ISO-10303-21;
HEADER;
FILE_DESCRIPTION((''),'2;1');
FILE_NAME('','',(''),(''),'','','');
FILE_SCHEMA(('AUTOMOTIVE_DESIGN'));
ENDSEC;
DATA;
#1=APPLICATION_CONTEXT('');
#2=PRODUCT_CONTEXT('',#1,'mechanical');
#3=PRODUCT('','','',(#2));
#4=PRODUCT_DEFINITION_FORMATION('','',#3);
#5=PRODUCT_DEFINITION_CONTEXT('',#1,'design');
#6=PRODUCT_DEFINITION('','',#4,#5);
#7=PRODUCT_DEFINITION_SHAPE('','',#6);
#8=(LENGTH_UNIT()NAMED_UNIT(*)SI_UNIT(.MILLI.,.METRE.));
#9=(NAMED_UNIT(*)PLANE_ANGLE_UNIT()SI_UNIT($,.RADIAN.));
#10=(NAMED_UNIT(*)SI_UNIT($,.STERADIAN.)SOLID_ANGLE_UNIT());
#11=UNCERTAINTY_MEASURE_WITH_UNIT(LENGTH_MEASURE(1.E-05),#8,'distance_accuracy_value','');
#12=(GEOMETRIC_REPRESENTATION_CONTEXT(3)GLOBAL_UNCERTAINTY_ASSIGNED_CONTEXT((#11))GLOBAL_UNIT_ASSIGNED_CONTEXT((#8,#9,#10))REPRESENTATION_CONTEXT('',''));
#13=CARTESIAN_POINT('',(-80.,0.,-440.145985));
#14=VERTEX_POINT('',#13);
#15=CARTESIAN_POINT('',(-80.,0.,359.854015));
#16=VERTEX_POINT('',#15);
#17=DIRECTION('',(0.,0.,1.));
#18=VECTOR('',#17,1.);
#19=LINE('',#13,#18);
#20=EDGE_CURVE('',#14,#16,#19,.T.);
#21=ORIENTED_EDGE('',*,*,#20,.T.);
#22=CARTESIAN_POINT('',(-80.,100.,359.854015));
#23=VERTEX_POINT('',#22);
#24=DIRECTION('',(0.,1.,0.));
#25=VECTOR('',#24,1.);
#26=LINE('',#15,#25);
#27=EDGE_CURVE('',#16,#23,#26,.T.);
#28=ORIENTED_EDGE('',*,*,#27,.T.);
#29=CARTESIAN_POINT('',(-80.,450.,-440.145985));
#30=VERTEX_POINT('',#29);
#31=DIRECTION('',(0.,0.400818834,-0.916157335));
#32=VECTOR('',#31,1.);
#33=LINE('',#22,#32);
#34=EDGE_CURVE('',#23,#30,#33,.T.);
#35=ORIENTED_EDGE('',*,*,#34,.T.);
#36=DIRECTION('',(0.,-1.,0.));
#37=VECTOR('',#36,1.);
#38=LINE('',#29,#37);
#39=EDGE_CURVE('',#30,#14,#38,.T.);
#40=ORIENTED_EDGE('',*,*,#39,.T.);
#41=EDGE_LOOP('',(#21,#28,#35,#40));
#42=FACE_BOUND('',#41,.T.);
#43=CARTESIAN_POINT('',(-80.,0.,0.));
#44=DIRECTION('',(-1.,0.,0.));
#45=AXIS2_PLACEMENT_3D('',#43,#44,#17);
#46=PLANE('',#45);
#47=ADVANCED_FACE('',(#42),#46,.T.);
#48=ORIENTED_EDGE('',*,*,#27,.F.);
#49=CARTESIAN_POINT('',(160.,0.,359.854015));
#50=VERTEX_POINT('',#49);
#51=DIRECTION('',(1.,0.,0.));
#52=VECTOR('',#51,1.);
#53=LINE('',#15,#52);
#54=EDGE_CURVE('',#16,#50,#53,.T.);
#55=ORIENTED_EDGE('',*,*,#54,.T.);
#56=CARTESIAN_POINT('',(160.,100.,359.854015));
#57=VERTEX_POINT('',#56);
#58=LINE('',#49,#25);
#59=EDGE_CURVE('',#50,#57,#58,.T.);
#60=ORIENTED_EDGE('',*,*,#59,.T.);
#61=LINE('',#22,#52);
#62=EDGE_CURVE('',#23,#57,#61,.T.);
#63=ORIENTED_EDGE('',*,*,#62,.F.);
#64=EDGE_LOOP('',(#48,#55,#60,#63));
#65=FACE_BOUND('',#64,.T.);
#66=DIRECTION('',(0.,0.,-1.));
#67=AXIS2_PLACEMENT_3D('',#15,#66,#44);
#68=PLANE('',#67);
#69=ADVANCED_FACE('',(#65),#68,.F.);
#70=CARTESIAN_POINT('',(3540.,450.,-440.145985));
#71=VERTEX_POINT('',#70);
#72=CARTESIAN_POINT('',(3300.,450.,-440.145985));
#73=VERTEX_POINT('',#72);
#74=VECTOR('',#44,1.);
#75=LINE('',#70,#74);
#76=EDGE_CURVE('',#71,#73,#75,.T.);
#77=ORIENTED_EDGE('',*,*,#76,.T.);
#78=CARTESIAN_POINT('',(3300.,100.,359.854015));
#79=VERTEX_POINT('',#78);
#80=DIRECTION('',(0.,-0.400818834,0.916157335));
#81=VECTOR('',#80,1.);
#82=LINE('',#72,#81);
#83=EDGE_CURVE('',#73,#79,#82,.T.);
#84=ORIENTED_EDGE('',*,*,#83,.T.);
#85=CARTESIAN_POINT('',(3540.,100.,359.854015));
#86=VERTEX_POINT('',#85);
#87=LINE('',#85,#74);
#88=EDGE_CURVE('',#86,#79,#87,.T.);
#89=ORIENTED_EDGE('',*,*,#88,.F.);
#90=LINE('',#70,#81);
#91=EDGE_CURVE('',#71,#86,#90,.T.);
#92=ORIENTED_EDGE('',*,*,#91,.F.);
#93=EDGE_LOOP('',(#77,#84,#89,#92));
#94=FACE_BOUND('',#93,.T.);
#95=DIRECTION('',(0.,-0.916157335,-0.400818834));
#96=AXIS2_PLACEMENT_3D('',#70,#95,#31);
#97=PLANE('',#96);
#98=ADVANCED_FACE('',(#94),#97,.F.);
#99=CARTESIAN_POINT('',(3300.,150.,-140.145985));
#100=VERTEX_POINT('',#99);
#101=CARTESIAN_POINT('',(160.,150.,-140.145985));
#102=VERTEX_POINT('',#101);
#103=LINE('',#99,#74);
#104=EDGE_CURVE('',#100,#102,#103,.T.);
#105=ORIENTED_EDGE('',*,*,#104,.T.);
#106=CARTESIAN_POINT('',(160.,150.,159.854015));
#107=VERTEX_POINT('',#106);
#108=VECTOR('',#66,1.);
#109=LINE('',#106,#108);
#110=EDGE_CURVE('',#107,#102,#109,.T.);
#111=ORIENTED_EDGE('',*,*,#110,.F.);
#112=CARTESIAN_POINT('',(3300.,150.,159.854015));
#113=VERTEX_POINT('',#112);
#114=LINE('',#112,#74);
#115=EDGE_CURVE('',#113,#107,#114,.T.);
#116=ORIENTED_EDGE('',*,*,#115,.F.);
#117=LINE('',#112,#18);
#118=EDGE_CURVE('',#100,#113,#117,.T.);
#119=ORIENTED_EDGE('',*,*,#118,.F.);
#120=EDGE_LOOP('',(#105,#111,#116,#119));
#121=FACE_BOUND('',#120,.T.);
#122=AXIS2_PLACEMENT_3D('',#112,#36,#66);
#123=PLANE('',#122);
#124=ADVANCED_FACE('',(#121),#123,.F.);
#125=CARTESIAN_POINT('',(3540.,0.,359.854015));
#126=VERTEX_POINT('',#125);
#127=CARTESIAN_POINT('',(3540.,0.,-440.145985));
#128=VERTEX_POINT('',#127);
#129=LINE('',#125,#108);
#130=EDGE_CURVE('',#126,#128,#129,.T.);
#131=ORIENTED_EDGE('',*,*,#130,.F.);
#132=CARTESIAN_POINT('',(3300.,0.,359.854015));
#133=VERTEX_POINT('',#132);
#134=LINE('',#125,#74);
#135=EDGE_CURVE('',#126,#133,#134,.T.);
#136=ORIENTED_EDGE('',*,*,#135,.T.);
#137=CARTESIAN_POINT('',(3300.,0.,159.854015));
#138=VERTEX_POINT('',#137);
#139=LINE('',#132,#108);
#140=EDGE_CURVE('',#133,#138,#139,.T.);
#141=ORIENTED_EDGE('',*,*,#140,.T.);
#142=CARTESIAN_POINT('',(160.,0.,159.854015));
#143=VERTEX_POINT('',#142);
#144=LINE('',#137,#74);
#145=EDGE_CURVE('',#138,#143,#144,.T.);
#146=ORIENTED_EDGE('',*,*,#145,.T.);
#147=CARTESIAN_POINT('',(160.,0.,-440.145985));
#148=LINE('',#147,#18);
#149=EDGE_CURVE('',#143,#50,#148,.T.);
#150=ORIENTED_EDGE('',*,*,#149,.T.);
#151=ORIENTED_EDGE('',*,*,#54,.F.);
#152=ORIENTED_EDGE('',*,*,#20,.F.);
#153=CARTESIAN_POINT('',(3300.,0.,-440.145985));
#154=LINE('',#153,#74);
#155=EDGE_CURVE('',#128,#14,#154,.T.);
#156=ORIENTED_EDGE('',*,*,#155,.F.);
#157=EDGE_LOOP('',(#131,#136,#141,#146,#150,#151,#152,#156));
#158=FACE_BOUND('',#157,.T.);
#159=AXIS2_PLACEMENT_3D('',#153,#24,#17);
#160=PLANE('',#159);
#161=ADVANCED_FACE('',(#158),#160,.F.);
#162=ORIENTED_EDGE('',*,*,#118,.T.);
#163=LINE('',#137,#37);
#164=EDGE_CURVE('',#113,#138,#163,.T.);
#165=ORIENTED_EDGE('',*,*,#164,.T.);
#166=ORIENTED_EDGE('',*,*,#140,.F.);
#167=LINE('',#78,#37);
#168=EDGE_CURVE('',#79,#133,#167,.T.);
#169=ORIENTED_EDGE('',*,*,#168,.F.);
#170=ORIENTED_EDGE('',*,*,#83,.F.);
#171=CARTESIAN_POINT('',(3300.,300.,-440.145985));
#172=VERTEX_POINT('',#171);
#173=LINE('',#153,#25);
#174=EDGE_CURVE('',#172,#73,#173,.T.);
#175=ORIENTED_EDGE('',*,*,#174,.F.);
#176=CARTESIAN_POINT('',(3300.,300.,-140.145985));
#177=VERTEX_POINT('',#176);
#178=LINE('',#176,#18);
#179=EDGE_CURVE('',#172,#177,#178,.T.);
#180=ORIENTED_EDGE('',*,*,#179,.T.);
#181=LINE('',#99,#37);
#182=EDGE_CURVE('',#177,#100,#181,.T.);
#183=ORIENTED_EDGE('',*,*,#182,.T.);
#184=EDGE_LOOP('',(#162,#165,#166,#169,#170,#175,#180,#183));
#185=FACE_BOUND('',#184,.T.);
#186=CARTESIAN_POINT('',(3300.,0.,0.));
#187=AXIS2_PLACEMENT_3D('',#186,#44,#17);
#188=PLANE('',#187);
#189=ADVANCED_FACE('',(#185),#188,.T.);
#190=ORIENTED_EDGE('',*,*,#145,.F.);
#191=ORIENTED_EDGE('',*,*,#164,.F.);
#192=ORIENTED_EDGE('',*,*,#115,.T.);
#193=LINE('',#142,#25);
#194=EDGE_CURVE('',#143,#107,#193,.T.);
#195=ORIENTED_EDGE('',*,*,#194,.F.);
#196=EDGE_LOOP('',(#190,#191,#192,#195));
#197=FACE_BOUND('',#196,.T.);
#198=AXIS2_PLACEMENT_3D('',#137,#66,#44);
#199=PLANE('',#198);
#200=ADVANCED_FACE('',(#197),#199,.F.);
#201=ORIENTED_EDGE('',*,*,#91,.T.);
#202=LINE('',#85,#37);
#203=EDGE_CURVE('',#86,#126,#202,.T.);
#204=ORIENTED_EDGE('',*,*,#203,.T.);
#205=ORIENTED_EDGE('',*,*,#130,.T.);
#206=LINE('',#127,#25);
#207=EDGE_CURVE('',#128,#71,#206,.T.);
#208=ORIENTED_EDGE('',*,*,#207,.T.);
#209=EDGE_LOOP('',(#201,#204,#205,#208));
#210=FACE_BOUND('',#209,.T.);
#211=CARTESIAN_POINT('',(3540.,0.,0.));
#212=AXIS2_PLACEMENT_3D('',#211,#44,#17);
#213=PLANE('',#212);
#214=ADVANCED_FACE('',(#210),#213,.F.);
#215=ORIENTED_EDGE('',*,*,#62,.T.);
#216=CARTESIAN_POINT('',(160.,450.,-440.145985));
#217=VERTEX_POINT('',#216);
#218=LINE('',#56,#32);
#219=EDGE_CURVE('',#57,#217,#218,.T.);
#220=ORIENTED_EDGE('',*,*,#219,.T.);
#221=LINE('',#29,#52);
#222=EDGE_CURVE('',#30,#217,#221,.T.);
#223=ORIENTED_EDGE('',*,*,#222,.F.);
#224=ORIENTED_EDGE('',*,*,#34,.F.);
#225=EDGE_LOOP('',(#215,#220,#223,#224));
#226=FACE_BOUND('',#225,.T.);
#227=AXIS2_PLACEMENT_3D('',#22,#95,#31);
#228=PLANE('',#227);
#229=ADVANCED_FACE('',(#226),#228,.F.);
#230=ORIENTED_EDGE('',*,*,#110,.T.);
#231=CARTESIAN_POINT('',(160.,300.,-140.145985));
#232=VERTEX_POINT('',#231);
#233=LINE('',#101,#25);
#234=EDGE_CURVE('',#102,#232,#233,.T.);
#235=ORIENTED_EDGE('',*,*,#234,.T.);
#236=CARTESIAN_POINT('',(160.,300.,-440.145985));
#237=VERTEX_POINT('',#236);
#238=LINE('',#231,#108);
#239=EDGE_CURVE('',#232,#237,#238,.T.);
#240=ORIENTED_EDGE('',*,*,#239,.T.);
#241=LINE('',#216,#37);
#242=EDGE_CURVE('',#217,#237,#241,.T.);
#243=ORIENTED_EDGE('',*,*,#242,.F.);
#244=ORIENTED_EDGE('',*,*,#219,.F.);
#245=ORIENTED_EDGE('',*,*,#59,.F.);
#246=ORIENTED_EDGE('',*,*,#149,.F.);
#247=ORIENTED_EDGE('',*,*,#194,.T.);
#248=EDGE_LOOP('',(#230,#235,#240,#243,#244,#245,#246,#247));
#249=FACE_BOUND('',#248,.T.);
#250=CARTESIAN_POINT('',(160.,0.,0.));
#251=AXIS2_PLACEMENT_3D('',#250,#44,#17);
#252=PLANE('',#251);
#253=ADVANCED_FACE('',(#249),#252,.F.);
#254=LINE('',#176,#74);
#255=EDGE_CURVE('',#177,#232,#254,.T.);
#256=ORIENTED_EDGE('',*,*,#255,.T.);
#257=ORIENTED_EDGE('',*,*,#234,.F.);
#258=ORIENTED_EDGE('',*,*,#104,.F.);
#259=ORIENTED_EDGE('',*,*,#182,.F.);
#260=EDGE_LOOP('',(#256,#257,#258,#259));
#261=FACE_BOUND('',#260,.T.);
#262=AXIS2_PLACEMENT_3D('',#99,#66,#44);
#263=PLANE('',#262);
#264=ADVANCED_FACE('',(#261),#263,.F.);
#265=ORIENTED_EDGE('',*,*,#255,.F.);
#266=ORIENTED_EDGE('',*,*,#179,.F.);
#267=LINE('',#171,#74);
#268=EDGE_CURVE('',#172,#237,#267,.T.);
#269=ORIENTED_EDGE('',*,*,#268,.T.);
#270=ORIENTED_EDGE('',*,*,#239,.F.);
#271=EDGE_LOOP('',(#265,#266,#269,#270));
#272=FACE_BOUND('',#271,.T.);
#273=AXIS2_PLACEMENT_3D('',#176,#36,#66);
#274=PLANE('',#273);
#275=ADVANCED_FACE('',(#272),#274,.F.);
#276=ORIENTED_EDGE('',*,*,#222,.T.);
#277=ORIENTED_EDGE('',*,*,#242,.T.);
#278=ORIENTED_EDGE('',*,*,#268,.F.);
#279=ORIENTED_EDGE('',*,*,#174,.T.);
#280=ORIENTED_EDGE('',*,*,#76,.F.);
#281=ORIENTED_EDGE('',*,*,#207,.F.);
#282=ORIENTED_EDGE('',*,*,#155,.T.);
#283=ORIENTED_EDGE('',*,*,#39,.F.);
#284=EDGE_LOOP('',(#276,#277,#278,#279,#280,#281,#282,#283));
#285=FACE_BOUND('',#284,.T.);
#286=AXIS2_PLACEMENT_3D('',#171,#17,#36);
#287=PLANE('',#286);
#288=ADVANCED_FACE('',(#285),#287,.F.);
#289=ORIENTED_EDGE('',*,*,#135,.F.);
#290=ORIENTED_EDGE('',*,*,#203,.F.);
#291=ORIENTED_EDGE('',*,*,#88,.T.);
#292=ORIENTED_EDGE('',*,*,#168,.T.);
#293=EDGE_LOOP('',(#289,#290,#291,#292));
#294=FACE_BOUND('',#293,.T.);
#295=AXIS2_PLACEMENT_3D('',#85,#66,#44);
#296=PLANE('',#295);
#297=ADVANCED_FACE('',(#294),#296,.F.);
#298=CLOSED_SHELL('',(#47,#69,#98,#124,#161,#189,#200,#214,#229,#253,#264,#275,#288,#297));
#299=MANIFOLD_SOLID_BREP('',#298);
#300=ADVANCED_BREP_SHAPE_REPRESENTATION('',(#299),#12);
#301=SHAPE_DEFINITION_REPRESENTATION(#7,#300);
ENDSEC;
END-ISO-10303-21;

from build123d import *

# Parameters (mm, degrees)
EXTRUDE_1_DEPTH     = 3300
EXTRUDE_2_DEPTH     = 240
CUT_EXTRUDE_1_DEPTH = 160
EXTRUDE_3_DEPTH     = 240


with BuildPart() as part:
    # 草图1 → 凸台-拉伸1 (new body)
    with BuildSketch(Plane(origin=(0, 0, 0), x_dir=(0, 0, -1), z_dir=(1, 0, 0))):
        Polygon((440.145985401, 300), (440.145985401, 0), (-159.854014599, 0), (-159.854014599, 150), (140.145985401, 150), (140.145985401, 300), align=None)
    extrude(amount=EXTRUDE_1_DEPTH)

    # 草图2 → 凸台-拉伸2 (add)
    with BuildSketch(Plane(origin=(3300, 0, 0), x_dir=(0, 0, -1), z_dir=(1, 0, 0))):
        Polygon((440.145985401, 450), (-359.854014599, 100), (-359.854014599, 0), (440.145985401, 0), align=None)
    extrude(amount=EXTRUDE_2_DEPTH)

    # 草图3 → 切除-拉伸1 (cut)
    with BuildSketch(Plane.ZY):
        Polygon((-440.145985401, 300), (-440.145985401, 0), (159.854014599, 0), (159.854014599, 150), (-140.145985401, 150), (-140.145985401, 300), align=None)
    extrude(amount=-CUT_EXTRUDE_1_DEPTH, mode=Mode.SUBTRACT)

    # 草图4 → 凸台-拉伸3 (add)
    with BuildSketch(Plane.ZY.offset(-160)):
        Polygon((-440.145985401, 450), (-440.145985401, 0), (359.854014599, 0), (359.854014599, 100), align=None)
    extrude(amount=EXTRUDE_3_DEPTH)


solid = part.part
